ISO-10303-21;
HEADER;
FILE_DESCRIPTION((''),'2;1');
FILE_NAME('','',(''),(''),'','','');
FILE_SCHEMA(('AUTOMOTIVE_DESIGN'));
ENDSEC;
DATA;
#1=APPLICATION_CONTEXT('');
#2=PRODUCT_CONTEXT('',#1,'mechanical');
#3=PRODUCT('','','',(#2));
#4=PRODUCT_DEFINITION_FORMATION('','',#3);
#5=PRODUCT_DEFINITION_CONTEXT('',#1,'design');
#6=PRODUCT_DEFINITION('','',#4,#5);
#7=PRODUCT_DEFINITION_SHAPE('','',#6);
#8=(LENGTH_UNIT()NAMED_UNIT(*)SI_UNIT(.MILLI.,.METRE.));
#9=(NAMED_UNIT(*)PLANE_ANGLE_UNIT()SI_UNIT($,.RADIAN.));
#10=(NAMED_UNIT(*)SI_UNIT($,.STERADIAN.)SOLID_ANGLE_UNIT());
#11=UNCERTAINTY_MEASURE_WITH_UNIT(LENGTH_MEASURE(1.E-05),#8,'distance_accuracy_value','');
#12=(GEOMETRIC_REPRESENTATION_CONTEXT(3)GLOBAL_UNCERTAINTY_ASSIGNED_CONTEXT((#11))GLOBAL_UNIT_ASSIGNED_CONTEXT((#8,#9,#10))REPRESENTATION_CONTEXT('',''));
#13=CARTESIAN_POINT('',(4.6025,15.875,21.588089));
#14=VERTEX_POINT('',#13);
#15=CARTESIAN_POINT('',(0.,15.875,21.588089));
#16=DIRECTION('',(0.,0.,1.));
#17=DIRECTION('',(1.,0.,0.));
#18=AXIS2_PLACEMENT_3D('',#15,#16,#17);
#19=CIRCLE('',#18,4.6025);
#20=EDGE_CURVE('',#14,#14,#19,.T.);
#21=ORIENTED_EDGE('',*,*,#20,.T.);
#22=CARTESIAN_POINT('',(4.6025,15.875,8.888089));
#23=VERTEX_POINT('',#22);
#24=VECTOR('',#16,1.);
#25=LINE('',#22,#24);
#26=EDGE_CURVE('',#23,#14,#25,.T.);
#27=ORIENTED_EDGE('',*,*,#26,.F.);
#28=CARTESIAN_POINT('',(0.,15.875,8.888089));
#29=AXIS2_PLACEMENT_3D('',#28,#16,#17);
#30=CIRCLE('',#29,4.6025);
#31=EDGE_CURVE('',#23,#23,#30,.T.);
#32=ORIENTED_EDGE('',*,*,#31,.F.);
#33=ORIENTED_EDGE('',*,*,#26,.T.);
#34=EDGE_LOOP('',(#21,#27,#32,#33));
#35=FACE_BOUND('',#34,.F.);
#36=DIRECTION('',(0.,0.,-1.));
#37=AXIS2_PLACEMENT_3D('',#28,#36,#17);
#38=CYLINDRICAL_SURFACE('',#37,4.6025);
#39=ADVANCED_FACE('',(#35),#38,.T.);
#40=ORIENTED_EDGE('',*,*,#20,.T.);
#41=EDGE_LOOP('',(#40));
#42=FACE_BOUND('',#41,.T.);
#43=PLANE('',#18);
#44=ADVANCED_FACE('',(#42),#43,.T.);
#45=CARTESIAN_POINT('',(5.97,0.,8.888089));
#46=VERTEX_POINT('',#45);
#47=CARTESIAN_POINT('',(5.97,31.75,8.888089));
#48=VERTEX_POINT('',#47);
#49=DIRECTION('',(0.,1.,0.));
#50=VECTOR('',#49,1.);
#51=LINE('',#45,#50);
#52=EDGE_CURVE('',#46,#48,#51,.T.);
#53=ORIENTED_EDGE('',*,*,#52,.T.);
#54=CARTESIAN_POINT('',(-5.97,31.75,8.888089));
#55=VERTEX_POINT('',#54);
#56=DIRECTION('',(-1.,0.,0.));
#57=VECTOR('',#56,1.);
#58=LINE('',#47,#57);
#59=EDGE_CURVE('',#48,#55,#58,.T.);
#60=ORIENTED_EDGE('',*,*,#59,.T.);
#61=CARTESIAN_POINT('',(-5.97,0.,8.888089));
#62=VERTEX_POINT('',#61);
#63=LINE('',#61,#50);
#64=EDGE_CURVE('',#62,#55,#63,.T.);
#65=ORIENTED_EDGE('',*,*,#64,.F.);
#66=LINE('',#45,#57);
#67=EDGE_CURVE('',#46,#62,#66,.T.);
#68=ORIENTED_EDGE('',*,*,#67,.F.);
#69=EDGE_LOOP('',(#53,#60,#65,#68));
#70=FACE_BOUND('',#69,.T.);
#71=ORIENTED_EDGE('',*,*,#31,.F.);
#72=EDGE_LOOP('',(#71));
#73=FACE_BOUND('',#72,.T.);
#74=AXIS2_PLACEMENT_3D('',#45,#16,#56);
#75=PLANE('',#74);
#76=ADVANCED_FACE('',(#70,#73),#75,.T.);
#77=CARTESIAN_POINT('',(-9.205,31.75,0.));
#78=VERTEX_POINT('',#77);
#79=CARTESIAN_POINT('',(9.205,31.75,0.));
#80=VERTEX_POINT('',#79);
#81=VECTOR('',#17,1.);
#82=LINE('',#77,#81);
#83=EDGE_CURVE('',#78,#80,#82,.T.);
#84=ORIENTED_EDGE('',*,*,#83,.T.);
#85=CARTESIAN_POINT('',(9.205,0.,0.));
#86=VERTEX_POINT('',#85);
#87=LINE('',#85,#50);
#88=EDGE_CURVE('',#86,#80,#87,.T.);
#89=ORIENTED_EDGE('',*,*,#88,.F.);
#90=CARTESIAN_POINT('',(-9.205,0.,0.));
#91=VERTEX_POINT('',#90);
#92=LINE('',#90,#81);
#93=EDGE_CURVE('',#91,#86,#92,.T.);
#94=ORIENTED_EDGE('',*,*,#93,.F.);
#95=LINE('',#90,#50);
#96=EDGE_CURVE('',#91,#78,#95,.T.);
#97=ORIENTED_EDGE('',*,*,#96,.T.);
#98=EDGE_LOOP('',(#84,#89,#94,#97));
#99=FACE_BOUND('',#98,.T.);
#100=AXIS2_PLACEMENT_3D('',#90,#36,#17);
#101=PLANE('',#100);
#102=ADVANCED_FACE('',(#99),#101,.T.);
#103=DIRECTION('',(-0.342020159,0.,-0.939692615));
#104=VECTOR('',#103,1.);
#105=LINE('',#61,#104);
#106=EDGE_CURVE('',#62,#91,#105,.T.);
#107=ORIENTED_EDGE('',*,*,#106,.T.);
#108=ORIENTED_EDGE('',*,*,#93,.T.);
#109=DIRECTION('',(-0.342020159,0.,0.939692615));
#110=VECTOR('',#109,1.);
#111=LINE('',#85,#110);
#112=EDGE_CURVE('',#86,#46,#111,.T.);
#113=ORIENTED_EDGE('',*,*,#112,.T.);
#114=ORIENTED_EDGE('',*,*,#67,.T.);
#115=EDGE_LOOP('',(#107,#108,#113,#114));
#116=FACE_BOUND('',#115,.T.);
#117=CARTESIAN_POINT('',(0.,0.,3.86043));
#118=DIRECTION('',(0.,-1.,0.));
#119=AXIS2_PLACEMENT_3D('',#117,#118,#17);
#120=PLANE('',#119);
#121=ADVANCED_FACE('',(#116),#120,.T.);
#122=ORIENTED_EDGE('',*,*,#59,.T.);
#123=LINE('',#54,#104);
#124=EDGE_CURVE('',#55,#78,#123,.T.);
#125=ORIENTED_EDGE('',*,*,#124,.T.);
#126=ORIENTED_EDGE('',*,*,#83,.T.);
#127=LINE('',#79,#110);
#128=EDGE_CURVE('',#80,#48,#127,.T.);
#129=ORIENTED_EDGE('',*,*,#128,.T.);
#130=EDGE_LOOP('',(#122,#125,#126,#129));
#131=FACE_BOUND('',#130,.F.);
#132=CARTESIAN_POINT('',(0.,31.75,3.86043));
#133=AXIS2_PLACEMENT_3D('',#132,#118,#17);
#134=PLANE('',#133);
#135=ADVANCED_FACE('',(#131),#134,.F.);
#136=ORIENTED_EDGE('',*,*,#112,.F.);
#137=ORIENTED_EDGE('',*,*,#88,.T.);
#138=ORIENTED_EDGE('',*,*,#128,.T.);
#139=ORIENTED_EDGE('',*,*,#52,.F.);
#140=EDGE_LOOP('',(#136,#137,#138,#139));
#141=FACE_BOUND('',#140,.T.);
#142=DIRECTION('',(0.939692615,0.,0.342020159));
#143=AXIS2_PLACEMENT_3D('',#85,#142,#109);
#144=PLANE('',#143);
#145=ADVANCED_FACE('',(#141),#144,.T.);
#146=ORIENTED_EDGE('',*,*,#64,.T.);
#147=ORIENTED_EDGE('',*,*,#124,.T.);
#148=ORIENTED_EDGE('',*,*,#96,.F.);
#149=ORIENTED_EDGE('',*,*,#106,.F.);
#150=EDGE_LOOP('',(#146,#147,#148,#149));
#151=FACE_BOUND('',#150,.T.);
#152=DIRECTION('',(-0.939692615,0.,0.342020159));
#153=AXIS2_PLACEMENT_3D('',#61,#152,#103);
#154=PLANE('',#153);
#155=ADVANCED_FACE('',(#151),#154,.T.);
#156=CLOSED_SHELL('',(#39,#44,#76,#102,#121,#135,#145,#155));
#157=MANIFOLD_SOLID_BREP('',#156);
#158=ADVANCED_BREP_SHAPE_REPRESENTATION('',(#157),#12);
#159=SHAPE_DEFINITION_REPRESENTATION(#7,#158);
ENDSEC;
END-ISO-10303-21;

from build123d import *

# Parameters (mm, degrees)
F1_DEPTH = 31.75
F2_R     = 4.6025
F3_DEPTH = 12.7


with BuildPart() as f1:
    # F0 (on Front) → F1 (new body)
    with BuildSketch(Plane.XZ):
        Polygon((-5.97, 8.888089), (-9.205, 0), (9.205, 0), (5.97, 8.888089), align=None)
    extrude(amount=-F1_DEPTH)

    # F2 (on face) → F3 (join)
    with BuildSketch(Plane.XY.offset(8.888089)):
        with Locations((0, 15.875)):
            Circle(F2_R)
    extrude(amount=F3_DEPTH)


solid = f1.part
